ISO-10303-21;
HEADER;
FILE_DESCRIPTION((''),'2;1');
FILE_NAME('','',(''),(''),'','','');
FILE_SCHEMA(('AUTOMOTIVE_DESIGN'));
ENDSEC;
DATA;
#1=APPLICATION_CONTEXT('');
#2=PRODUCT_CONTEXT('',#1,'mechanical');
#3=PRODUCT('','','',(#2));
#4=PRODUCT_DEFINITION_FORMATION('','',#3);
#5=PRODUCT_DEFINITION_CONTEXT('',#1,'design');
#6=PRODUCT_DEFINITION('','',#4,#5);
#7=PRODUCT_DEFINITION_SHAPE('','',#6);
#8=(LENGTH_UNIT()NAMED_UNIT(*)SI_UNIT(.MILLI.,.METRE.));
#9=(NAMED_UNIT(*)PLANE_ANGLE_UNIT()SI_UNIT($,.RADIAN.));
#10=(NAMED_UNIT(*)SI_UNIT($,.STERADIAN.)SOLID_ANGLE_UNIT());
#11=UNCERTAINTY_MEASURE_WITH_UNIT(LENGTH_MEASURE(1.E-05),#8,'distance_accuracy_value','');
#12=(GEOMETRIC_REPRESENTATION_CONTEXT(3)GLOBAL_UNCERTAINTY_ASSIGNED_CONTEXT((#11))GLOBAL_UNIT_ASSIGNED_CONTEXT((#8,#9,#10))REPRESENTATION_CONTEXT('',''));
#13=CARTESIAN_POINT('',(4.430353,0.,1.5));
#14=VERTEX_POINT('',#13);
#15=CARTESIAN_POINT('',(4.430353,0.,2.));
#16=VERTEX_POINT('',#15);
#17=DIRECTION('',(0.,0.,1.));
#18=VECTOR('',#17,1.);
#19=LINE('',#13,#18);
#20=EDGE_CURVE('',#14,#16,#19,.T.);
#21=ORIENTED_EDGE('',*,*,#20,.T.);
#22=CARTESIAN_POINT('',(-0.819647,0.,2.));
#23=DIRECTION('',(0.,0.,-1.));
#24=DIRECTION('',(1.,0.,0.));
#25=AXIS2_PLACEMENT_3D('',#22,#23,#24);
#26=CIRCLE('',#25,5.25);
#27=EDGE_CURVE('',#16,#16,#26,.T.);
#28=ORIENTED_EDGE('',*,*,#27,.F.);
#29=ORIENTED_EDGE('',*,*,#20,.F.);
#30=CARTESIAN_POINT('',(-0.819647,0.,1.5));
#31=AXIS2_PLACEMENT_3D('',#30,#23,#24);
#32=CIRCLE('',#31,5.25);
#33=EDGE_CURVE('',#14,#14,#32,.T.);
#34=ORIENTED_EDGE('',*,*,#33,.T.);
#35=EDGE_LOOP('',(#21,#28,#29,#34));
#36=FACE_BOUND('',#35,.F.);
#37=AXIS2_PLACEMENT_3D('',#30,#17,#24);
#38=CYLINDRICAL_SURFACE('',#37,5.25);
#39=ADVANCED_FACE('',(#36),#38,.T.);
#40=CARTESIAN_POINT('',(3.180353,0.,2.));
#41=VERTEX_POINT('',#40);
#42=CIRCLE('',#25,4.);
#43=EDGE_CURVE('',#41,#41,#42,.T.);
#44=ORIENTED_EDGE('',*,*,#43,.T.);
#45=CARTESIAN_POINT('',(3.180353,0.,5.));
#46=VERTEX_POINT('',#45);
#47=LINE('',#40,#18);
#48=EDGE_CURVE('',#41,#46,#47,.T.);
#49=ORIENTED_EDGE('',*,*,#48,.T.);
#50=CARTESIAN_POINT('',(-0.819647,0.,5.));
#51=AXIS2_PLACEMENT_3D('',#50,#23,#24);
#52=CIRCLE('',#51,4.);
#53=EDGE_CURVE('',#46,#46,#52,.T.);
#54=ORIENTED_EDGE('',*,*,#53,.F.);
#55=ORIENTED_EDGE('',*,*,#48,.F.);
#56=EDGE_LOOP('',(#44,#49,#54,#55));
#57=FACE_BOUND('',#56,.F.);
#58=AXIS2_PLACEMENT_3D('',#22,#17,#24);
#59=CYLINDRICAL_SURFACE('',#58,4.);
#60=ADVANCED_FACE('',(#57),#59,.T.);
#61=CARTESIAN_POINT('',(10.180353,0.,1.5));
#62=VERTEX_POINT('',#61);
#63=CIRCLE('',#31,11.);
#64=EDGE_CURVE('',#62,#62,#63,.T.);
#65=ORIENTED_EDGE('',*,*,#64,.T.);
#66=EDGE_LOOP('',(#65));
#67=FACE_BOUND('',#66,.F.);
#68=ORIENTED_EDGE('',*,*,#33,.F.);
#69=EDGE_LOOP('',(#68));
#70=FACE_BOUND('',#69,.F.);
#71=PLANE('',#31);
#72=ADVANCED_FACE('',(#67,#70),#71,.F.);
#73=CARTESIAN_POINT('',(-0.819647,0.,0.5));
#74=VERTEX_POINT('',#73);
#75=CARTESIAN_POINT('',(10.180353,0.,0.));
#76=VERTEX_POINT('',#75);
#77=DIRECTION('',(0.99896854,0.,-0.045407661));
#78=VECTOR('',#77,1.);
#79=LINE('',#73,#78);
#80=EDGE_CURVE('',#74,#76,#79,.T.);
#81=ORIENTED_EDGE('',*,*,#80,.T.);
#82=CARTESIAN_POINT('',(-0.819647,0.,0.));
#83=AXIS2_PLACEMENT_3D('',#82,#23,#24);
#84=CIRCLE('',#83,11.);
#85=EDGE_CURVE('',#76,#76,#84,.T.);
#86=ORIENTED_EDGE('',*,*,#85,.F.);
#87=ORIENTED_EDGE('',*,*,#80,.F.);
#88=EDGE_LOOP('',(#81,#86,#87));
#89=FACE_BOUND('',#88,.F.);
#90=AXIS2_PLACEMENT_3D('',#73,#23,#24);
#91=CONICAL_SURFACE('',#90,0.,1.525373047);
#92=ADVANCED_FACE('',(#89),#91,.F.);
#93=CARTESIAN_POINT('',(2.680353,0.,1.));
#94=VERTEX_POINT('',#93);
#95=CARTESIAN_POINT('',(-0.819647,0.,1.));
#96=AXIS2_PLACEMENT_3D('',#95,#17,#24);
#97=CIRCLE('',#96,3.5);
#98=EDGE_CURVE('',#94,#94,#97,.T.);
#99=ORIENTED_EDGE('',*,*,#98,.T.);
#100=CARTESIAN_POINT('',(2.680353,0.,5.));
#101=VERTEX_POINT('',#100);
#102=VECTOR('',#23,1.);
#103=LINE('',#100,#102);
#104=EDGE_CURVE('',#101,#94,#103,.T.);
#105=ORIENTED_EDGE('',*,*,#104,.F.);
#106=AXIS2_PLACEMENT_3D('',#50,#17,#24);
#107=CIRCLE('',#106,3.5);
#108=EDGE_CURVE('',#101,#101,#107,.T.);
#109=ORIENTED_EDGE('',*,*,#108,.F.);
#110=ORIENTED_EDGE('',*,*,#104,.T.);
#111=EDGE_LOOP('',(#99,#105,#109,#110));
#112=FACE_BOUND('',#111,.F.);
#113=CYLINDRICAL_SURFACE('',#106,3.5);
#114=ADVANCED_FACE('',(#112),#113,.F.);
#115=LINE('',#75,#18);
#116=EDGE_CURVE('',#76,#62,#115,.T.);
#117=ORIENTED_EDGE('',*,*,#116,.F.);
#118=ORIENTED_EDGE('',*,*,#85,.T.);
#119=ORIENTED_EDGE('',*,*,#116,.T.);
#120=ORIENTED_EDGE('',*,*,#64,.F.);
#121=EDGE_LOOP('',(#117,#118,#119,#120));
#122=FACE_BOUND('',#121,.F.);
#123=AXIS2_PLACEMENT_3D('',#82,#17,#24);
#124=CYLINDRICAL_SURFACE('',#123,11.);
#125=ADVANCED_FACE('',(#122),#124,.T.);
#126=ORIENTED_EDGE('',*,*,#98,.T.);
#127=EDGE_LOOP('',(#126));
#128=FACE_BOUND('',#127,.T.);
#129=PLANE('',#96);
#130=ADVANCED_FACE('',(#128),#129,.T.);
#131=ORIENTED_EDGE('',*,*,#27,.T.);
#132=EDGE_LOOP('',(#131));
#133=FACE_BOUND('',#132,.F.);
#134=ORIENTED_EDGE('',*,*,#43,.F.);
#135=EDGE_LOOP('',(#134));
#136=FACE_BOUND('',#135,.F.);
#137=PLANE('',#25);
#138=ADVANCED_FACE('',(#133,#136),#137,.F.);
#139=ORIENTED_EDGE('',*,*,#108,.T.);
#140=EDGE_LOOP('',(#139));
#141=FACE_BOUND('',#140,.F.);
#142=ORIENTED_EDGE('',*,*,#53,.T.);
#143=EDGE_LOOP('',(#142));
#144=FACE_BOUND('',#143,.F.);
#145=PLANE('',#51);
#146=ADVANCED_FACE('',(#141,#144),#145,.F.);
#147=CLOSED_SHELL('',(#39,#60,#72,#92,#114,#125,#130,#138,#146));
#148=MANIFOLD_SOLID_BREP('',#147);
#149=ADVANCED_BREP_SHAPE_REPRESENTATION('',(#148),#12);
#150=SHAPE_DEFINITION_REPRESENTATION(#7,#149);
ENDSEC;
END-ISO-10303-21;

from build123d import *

# Parameters (mm, degrees)
F2_R     = 3.5
F3_DEPTH = 4


with BuildPart() as f1:
    # F0 (on Front) → F1 (revolve)
    with BuildSketch(Plane.XZ):
        Polygon((-0.819647, 0.5), (10.180353, 0), (10.180353, 1.5), (4.430353, 1.5), (4.430353, 2), (3.180353, 2), (3.180353, 5), (-0.819647, 5), align=None)
    revolve(axis=Axis((-0.819647, 0, 2.75), (0, 0, -1)))

    # F2 (on face) → F3 (cut)
    with BuildSketch(Plane.XY.offset(5)):
        with Locations((-0.819647, 0)):
            Circle(F2_R)
    extrude(amount=-F3_DEPTH, mode=Mode.SUBTRACT)


solid = f1.part
